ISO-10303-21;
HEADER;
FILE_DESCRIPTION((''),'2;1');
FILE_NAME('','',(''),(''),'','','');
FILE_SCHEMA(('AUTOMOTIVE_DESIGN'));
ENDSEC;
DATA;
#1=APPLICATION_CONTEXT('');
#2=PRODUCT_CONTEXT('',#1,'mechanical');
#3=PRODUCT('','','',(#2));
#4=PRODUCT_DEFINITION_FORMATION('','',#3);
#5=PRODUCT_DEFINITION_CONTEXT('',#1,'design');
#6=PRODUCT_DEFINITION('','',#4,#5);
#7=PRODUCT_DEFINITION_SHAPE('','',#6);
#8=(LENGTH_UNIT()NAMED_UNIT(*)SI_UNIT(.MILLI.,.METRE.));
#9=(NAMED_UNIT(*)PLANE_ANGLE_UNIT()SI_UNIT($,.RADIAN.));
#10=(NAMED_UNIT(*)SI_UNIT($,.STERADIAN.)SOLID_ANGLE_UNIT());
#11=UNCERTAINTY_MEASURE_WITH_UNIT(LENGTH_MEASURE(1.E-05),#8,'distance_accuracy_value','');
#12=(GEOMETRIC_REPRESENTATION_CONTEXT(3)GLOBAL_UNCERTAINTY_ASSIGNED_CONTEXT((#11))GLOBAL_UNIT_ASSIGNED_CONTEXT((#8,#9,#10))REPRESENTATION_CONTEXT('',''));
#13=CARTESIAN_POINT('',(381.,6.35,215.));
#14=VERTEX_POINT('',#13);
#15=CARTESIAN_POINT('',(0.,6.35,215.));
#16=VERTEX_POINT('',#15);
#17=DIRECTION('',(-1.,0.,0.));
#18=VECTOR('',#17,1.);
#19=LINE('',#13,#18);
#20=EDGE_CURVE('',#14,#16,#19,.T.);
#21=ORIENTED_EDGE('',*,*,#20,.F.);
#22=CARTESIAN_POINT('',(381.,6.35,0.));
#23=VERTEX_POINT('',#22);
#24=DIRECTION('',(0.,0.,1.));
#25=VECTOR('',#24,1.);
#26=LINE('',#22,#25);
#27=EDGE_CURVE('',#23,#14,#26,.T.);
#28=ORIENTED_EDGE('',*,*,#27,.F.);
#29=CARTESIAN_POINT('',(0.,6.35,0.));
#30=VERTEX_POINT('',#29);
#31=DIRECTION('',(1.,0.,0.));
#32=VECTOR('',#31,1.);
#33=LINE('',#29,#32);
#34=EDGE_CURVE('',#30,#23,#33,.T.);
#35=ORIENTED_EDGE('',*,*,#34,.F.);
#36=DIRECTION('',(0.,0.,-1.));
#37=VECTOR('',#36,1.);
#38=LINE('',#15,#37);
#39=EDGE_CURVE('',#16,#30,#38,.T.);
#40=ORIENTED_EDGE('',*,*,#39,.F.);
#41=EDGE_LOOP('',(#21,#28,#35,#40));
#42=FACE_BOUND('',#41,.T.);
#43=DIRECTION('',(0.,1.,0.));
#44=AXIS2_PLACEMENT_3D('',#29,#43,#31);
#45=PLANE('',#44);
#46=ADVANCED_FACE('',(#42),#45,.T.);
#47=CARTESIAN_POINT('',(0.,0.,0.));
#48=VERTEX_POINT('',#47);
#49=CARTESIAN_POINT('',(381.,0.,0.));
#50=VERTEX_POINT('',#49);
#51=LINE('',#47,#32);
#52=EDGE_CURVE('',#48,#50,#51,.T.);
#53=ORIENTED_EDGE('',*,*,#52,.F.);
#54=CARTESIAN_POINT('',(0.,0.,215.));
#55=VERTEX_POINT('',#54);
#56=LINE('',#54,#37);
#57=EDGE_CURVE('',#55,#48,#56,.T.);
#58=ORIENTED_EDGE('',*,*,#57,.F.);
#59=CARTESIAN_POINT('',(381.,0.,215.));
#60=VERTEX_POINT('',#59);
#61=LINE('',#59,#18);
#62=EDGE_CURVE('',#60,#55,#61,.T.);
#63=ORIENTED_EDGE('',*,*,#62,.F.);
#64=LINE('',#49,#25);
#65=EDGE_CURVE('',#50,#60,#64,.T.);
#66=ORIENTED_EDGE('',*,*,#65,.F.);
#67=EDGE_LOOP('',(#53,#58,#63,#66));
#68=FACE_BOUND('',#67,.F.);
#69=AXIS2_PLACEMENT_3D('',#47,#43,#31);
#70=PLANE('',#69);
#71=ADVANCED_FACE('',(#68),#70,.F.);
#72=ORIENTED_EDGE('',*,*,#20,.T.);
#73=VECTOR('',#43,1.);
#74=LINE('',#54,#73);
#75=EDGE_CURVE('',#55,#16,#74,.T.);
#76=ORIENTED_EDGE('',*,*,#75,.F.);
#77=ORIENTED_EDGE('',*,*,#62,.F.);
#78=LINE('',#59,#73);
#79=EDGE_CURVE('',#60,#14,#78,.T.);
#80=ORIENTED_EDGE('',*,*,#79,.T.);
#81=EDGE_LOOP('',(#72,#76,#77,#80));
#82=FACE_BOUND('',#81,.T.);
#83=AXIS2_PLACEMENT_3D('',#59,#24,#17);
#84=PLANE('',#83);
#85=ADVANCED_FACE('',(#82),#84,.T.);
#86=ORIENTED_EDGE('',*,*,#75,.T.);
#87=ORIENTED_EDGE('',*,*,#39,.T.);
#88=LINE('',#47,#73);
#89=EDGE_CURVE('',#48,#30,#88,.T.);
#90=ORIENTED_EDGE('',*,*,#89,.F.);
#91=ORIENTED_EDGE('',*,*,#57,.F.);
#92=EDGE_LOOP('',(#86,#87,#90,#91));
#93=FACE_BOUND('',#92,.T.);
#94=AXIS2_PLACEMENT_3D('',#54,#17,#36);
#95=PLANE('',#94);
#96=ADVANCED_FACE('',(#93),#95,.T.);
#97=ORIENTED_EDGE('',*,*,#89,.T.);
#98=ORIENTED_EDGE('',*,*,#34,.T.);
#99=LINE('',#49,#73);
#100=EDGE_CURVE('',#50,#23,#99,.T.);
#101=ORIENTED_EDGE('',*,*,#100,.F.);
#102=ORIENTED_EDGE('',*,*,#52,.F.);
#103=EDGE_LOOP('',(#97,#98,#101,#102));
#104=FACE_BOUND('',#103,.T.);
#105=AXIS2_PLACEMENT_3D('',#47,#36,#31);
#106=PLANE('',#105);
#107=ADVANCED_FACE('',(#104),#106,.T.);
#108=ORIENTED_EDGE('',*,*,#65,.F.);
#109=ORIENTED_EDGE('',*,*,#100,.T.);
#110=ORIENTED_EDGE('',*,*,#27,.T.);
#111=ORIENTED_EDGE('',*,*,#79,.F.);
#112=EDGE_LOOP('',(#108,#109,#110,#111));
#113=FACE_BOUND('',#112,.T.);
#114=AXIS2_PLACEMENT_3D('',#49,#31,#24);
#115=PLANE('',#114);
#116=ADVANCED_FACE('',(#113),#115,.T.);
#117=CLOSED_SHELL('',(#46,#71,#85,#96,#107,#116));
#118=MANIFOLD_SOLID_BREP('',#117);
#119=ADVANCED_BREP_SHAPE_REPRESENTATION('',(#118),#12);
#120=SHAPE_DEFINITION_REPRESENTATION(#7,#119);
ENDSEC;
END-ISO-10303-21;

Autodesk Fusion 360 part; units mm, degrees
sketch "Sketch1" plane through (0, 0, 0) normal (0, 1, 0) x (1, 0, 0)
  line L0 (0, 0) -> (381, 0)
  line L1 (381, 0) -> (381, -215)
  line L2 (381, -215) -> (0, -215)
  line L3 (0, -215) -> (0, 0)
  dimension "d2" = 381
  dimension "d3" = 215
sketch "Sketch2" plane through (0, 0, 0) normal (0, 1, 0) x (1, 0, 0)
extrude "Extrude1" add sketch "Sketch1" along normal blind 6.35
